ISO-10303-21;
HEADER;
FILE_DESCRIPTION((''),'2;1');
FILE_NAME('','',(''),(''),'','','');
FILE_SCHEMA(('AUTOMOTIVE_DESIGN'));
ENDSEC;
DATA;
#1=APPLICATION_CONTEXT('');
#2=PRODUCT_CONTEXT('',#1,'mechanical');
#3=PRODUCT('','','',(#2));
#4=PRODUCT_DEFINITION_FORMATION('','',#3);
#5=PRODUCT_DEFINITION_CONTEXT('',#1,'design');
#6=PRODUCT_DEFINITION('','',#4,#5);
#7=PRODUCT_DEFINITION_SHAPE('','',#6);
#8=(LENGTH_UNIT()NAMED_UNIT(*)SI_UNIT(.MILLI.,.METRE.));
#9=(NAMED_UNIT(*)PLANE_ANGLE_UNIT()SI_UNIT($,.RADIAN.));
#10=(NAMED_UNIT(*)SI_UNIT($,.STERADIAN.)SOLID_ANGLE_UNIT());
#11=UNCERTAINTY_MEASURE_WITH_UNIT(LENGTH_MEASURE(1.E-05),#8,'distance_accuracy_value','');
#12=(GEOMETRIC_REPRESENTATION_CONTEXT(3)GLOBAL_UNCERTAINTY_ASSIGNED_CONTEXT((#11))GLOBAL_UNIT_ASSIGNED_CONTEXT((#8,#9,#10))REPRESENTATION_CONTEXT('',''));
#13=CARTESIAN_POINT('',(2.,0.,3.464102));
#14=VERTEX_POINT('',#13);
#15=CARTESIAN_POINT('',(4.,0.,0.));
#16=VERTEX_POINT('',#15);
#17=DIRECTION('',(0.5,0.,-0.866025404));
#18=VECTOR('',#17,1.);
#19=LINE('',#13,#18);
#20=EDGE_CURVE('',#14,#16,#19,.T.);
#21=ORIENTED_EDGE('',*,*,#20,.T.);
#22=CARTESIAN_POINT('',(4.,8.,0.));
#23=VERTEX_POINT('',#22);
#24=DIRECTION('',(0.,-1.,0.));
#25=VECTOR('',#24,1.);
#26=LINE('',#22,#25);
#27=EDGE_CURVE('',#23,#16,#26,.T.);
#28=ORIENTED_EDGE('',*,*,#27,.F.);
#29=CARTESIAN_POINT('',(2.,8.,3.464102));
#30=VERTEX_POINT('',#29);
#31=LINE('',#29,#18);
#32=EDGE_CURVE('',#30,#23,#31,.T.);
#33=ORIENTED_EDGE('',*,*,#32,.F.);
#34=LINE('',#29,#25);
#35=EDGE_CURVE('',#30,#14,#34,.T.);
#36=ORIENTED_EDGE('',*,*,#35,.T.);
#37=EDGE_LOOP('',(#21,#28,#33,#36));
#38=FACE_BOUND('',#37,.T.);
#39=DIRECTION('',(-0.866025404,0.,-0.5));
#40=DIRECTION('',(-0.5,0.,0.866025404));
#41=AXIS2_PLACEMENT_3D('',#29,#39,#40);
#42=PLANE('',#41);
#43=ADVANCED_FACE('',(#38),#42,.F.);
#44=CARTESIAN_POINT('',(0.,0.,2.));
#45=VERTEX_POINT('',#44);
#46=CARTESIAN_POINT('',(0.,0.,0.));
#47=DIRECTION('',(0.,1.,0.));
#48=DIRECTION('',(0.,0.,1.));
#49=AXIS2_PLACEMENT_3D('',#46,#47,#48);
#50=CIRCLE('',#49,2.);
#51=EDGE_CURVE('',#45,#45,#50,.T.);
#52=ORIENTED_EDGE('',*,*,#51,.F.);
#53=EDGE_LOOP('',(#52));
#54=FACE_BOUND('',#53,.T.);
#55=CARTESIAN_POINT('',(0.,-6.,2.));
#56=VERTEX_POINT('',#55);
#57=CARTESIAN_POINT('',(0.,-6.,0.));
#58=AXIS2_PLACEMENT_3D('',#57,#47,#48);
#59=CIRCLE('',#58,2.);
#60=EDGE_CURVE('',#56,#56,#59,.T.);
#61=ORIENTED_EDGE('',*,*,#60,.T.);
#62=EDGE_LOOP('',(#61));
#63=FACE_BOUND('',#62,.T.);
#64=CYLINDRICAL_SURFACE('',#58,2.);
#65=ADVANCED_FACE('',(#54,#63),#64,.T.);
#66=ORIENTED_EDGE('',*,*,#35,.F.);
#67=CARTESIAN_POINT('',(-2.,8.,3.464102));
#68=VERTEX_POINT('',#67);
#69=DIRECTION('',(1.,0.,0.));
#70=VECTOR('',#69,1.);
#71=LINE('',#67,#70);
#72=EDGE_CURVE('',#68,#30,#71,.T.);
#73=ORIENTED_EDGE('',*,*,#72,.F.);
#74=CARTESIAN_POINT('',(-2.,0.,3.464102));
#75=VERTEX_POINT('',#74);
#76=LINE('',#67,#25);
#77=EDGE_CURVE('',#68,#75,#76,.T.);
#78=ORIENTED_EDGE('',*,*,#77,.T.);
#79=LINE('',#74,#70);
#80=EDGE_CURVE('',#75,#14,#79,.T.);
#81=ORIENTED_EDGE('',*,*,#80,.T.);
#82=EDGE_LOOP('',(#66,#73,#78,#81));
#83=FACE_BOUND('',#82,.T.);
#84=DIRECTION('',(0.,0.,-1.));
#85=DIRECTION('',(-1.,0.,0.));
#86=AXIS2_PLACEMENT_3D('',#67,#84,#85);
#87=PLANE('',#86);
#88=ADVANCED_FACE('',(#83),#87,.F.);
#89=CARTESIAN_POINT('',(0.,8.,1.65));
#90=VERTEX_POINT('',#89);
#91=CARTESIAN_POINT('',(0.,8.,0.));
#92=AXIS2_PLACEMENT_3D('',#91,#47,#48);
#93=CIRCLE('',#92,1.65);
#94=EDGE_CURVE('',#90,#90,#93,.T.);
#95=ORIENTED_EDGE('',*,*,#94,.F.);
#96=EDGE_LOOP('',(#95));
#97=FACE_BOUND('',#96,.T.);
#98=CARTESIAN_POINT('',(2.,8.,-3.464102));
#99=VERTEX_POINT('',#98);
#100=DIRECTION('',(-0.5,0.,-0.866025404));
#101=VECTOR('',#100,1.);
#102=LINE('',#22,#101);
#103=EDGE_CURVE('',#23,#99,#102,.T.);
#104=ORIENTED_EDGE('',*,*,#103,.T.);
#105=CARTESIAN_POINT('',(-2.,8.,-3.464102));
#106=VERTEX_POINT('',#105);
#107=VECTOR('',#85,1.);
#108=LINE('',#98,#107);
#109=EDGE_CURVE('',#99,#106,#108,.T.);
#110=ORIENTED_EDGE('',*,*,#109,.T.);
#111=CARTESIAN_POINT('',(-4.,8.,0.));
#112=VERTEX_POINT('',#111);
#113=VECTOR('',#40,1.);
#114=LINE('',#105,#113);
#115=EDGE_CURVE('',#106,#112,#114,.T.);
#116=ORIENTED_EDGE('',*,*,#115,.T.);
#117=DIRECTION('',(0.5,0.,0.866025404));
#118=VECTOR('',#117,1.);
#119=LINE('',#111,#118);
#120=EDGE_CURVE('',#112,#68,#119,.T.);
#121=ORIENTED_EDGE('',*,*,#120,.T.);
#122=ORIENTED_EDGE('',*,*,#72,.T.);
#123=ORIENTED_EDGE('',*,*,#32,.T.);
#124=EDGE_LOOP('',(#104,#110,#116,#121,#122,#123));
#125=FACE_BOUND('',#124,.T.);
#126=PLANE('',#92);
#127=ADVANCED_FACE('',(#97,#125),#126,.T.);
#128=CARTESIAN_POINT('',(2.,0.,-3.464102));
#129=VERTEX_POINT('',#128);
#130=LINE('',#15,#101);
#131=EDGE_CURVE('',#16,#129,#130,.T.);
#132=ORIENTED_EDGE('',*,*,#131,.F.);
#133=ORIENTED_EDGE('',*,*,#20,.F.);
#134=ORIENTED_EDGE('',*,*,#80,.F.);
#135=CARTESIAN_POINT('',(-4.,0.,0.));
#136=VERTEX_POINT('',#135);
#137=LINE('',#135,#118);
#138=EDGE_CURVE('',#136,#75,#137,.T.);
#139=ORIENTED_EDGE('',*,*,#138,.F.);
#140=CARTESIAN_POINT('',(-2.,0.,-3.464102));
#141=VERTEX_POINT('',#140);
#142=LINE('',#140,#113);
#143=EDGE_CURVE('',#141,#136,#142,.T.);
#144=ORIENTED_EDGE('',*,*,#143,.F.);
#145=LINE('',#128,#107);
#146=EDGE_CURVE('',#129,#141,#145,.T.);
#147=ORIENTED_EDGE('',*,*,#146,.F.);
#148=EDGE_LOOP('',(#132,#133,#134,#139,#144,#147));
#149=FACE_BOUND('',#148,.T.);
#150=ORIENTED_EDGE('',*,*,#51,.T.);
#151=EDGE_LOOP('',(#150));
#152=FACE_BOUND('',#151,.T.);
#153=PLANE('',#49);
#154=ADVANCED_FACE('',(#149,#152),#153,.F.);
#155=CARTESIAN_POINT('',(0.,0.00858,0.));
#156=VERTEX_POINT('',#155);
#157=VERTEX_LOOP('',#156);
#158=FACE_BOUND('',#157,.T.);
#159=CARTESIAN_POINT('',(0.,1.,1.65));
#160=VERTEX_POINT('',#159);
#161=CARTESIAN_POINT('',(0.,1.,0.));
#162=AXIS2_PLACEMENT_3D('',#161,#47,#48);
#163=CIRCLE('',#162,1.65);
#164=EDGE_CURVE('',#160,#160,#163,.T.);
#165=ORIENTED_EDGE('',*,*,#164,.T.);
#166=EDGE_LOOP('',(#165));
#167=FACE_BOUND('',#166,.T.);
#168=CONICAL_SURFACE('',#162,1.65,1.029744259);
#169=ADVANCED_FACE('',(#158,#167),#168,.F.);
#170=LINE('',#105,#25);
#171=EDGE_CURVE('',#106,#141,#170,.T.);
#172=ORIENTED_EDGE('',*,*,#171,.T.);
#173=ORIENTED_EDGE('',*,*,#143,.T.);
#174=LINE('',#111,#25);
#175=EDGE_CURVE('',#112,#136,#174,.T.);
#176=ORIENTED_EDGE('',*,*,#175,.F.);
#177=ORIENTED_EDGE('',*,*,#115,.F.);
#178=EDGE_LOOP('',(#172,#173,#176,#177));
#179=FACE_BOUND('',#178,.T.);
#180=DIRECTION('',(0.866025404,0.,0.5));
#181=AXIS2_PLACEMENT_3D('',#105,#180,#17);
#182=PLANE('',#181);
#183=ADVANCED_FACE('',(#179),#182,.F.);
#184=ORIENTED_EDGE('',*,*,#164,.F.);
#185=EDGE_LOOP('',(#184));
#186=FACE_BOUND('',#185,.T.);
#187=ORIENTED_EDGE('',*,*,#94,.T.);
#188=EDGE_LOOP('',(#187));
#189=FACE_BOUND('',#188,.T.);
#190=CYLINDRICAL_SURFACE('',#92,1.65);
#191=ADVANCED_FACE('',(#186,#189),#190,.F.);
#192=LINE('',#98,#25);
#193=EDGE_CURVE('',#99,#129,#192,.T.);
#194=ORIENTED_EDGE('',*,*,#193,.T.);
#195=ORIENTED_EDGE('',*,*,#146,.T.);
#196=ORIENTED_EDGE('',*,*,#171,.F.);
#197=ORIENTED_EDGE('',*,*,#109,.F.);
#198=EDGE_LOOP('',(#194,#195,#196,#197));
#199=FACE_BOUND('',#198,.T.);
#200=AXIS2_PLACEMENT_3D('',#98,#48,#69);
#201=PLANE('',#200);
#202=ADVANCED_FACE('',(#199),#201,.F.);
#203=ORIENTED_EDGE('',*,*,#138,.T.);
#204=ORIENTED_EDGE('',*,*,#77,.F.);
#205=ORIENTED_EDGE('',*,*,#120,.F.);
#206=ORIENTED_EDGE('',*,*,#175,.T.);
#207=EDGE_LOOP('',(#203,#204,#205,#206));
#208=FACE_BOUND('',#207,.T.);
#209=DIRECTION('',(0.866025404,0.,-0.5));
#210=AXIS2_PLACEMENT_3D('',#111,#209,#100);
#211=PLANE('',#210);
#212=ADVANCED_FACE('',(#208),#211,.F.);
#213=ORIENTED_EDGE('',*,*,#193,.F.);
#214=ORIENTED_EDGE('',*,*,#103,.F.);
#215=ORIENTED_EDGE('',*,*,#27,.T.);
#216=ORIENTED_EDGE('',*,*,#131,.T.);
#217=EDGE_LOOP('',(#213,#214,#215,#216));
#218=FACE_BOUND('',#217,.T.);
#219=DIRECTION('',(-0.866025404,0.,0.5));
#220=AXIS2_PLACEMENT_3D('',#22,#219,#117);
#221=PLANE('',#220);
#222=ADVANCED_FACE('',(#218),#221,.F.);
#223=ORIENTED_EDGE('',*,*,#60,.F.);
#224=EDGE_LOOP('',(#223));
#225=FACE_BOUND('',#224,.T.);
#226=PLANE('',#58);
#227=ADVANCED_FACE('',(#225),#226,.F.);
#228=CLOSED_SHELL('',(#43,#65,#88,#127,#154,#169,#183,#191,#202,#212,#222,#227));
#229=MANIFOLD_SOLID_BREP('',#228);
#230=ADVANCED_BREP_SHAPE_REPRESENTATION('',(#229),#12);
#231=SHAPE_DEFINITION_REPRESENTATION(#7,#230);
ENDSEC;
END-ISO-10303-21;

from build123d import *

# Parameters (mm, degrees)
SKETCH1_R                       = 2
BOSS_EXTRUDE1_DEPTH             = 6
BOSS_EXTRUDE2_DEPTH             = 8
TAP_DRILL_FOR_M4X0_7_TAP1_D     = 3.3
TAP_DRILL_FOR_M4X0_7_TAP1_DEPTH = 7
TAP_DRILL_FOR_M4X0_7_TAP1_TIP   = 0.991420021


with BuildPart() as part:
    # Sketch1 → Boss-Extrude1 (new body)
    with BuildSketch(Plane(origin=(0, 0, 0), x_dir=(1, 0, 0), z_dir=(0, 1, 0))):
        with Locations(Location((0, 0, 0), (0, 0, 270))):
            Circle(SKETCH1_R)
    extrude(amount=-BOSS_EXTRUDE1_DEPTH)

    # Sketch2 → Boss-Extrude2 (add)
    with BuildSketch(Plane(origin=(0, 0, 0), x_dir=(1, 0, 0), z_dir=(0, 1, 0))):
        Polygon((4, 0), (2, 3.464101615), (-2, 3.464101615), (-4, 0), (-2, -3.464101615), (2, -3.464101615), align=None)
    extrude(amount=BOSS_EXTRUDE2_DEPTH)

    # Tap Drill for M4x0.7 Tap1
    with Locations(Plane(origin=(0, 8, 0), x_dir=(1, 0, 0), z_dir=(0, 1, 0))):
        with Locations((0, 0)):
            Hole(TAP_DRILL_FOR_M4X0_7_TAP1_D / 2, depth=TAP_DRILL_FOR_M4X0_7_TAP1_DEPTH)
            with Locations((0, 0, -(TAP_DRILL_FOR_M4X0_7_TAP1_DEPTH + TAP_DRILL_FOR_M4X0_7_TAP1_TIP / 2))):  # 118° drill point
                Cone(0, TAP_DRILL_FOR_M4X0_7_TAP1_D / 2, TAP_DRILL_FOR_M4X0_7_TAP1_TIP, mode=Mode.SUBTRACT)


solid = part.part
